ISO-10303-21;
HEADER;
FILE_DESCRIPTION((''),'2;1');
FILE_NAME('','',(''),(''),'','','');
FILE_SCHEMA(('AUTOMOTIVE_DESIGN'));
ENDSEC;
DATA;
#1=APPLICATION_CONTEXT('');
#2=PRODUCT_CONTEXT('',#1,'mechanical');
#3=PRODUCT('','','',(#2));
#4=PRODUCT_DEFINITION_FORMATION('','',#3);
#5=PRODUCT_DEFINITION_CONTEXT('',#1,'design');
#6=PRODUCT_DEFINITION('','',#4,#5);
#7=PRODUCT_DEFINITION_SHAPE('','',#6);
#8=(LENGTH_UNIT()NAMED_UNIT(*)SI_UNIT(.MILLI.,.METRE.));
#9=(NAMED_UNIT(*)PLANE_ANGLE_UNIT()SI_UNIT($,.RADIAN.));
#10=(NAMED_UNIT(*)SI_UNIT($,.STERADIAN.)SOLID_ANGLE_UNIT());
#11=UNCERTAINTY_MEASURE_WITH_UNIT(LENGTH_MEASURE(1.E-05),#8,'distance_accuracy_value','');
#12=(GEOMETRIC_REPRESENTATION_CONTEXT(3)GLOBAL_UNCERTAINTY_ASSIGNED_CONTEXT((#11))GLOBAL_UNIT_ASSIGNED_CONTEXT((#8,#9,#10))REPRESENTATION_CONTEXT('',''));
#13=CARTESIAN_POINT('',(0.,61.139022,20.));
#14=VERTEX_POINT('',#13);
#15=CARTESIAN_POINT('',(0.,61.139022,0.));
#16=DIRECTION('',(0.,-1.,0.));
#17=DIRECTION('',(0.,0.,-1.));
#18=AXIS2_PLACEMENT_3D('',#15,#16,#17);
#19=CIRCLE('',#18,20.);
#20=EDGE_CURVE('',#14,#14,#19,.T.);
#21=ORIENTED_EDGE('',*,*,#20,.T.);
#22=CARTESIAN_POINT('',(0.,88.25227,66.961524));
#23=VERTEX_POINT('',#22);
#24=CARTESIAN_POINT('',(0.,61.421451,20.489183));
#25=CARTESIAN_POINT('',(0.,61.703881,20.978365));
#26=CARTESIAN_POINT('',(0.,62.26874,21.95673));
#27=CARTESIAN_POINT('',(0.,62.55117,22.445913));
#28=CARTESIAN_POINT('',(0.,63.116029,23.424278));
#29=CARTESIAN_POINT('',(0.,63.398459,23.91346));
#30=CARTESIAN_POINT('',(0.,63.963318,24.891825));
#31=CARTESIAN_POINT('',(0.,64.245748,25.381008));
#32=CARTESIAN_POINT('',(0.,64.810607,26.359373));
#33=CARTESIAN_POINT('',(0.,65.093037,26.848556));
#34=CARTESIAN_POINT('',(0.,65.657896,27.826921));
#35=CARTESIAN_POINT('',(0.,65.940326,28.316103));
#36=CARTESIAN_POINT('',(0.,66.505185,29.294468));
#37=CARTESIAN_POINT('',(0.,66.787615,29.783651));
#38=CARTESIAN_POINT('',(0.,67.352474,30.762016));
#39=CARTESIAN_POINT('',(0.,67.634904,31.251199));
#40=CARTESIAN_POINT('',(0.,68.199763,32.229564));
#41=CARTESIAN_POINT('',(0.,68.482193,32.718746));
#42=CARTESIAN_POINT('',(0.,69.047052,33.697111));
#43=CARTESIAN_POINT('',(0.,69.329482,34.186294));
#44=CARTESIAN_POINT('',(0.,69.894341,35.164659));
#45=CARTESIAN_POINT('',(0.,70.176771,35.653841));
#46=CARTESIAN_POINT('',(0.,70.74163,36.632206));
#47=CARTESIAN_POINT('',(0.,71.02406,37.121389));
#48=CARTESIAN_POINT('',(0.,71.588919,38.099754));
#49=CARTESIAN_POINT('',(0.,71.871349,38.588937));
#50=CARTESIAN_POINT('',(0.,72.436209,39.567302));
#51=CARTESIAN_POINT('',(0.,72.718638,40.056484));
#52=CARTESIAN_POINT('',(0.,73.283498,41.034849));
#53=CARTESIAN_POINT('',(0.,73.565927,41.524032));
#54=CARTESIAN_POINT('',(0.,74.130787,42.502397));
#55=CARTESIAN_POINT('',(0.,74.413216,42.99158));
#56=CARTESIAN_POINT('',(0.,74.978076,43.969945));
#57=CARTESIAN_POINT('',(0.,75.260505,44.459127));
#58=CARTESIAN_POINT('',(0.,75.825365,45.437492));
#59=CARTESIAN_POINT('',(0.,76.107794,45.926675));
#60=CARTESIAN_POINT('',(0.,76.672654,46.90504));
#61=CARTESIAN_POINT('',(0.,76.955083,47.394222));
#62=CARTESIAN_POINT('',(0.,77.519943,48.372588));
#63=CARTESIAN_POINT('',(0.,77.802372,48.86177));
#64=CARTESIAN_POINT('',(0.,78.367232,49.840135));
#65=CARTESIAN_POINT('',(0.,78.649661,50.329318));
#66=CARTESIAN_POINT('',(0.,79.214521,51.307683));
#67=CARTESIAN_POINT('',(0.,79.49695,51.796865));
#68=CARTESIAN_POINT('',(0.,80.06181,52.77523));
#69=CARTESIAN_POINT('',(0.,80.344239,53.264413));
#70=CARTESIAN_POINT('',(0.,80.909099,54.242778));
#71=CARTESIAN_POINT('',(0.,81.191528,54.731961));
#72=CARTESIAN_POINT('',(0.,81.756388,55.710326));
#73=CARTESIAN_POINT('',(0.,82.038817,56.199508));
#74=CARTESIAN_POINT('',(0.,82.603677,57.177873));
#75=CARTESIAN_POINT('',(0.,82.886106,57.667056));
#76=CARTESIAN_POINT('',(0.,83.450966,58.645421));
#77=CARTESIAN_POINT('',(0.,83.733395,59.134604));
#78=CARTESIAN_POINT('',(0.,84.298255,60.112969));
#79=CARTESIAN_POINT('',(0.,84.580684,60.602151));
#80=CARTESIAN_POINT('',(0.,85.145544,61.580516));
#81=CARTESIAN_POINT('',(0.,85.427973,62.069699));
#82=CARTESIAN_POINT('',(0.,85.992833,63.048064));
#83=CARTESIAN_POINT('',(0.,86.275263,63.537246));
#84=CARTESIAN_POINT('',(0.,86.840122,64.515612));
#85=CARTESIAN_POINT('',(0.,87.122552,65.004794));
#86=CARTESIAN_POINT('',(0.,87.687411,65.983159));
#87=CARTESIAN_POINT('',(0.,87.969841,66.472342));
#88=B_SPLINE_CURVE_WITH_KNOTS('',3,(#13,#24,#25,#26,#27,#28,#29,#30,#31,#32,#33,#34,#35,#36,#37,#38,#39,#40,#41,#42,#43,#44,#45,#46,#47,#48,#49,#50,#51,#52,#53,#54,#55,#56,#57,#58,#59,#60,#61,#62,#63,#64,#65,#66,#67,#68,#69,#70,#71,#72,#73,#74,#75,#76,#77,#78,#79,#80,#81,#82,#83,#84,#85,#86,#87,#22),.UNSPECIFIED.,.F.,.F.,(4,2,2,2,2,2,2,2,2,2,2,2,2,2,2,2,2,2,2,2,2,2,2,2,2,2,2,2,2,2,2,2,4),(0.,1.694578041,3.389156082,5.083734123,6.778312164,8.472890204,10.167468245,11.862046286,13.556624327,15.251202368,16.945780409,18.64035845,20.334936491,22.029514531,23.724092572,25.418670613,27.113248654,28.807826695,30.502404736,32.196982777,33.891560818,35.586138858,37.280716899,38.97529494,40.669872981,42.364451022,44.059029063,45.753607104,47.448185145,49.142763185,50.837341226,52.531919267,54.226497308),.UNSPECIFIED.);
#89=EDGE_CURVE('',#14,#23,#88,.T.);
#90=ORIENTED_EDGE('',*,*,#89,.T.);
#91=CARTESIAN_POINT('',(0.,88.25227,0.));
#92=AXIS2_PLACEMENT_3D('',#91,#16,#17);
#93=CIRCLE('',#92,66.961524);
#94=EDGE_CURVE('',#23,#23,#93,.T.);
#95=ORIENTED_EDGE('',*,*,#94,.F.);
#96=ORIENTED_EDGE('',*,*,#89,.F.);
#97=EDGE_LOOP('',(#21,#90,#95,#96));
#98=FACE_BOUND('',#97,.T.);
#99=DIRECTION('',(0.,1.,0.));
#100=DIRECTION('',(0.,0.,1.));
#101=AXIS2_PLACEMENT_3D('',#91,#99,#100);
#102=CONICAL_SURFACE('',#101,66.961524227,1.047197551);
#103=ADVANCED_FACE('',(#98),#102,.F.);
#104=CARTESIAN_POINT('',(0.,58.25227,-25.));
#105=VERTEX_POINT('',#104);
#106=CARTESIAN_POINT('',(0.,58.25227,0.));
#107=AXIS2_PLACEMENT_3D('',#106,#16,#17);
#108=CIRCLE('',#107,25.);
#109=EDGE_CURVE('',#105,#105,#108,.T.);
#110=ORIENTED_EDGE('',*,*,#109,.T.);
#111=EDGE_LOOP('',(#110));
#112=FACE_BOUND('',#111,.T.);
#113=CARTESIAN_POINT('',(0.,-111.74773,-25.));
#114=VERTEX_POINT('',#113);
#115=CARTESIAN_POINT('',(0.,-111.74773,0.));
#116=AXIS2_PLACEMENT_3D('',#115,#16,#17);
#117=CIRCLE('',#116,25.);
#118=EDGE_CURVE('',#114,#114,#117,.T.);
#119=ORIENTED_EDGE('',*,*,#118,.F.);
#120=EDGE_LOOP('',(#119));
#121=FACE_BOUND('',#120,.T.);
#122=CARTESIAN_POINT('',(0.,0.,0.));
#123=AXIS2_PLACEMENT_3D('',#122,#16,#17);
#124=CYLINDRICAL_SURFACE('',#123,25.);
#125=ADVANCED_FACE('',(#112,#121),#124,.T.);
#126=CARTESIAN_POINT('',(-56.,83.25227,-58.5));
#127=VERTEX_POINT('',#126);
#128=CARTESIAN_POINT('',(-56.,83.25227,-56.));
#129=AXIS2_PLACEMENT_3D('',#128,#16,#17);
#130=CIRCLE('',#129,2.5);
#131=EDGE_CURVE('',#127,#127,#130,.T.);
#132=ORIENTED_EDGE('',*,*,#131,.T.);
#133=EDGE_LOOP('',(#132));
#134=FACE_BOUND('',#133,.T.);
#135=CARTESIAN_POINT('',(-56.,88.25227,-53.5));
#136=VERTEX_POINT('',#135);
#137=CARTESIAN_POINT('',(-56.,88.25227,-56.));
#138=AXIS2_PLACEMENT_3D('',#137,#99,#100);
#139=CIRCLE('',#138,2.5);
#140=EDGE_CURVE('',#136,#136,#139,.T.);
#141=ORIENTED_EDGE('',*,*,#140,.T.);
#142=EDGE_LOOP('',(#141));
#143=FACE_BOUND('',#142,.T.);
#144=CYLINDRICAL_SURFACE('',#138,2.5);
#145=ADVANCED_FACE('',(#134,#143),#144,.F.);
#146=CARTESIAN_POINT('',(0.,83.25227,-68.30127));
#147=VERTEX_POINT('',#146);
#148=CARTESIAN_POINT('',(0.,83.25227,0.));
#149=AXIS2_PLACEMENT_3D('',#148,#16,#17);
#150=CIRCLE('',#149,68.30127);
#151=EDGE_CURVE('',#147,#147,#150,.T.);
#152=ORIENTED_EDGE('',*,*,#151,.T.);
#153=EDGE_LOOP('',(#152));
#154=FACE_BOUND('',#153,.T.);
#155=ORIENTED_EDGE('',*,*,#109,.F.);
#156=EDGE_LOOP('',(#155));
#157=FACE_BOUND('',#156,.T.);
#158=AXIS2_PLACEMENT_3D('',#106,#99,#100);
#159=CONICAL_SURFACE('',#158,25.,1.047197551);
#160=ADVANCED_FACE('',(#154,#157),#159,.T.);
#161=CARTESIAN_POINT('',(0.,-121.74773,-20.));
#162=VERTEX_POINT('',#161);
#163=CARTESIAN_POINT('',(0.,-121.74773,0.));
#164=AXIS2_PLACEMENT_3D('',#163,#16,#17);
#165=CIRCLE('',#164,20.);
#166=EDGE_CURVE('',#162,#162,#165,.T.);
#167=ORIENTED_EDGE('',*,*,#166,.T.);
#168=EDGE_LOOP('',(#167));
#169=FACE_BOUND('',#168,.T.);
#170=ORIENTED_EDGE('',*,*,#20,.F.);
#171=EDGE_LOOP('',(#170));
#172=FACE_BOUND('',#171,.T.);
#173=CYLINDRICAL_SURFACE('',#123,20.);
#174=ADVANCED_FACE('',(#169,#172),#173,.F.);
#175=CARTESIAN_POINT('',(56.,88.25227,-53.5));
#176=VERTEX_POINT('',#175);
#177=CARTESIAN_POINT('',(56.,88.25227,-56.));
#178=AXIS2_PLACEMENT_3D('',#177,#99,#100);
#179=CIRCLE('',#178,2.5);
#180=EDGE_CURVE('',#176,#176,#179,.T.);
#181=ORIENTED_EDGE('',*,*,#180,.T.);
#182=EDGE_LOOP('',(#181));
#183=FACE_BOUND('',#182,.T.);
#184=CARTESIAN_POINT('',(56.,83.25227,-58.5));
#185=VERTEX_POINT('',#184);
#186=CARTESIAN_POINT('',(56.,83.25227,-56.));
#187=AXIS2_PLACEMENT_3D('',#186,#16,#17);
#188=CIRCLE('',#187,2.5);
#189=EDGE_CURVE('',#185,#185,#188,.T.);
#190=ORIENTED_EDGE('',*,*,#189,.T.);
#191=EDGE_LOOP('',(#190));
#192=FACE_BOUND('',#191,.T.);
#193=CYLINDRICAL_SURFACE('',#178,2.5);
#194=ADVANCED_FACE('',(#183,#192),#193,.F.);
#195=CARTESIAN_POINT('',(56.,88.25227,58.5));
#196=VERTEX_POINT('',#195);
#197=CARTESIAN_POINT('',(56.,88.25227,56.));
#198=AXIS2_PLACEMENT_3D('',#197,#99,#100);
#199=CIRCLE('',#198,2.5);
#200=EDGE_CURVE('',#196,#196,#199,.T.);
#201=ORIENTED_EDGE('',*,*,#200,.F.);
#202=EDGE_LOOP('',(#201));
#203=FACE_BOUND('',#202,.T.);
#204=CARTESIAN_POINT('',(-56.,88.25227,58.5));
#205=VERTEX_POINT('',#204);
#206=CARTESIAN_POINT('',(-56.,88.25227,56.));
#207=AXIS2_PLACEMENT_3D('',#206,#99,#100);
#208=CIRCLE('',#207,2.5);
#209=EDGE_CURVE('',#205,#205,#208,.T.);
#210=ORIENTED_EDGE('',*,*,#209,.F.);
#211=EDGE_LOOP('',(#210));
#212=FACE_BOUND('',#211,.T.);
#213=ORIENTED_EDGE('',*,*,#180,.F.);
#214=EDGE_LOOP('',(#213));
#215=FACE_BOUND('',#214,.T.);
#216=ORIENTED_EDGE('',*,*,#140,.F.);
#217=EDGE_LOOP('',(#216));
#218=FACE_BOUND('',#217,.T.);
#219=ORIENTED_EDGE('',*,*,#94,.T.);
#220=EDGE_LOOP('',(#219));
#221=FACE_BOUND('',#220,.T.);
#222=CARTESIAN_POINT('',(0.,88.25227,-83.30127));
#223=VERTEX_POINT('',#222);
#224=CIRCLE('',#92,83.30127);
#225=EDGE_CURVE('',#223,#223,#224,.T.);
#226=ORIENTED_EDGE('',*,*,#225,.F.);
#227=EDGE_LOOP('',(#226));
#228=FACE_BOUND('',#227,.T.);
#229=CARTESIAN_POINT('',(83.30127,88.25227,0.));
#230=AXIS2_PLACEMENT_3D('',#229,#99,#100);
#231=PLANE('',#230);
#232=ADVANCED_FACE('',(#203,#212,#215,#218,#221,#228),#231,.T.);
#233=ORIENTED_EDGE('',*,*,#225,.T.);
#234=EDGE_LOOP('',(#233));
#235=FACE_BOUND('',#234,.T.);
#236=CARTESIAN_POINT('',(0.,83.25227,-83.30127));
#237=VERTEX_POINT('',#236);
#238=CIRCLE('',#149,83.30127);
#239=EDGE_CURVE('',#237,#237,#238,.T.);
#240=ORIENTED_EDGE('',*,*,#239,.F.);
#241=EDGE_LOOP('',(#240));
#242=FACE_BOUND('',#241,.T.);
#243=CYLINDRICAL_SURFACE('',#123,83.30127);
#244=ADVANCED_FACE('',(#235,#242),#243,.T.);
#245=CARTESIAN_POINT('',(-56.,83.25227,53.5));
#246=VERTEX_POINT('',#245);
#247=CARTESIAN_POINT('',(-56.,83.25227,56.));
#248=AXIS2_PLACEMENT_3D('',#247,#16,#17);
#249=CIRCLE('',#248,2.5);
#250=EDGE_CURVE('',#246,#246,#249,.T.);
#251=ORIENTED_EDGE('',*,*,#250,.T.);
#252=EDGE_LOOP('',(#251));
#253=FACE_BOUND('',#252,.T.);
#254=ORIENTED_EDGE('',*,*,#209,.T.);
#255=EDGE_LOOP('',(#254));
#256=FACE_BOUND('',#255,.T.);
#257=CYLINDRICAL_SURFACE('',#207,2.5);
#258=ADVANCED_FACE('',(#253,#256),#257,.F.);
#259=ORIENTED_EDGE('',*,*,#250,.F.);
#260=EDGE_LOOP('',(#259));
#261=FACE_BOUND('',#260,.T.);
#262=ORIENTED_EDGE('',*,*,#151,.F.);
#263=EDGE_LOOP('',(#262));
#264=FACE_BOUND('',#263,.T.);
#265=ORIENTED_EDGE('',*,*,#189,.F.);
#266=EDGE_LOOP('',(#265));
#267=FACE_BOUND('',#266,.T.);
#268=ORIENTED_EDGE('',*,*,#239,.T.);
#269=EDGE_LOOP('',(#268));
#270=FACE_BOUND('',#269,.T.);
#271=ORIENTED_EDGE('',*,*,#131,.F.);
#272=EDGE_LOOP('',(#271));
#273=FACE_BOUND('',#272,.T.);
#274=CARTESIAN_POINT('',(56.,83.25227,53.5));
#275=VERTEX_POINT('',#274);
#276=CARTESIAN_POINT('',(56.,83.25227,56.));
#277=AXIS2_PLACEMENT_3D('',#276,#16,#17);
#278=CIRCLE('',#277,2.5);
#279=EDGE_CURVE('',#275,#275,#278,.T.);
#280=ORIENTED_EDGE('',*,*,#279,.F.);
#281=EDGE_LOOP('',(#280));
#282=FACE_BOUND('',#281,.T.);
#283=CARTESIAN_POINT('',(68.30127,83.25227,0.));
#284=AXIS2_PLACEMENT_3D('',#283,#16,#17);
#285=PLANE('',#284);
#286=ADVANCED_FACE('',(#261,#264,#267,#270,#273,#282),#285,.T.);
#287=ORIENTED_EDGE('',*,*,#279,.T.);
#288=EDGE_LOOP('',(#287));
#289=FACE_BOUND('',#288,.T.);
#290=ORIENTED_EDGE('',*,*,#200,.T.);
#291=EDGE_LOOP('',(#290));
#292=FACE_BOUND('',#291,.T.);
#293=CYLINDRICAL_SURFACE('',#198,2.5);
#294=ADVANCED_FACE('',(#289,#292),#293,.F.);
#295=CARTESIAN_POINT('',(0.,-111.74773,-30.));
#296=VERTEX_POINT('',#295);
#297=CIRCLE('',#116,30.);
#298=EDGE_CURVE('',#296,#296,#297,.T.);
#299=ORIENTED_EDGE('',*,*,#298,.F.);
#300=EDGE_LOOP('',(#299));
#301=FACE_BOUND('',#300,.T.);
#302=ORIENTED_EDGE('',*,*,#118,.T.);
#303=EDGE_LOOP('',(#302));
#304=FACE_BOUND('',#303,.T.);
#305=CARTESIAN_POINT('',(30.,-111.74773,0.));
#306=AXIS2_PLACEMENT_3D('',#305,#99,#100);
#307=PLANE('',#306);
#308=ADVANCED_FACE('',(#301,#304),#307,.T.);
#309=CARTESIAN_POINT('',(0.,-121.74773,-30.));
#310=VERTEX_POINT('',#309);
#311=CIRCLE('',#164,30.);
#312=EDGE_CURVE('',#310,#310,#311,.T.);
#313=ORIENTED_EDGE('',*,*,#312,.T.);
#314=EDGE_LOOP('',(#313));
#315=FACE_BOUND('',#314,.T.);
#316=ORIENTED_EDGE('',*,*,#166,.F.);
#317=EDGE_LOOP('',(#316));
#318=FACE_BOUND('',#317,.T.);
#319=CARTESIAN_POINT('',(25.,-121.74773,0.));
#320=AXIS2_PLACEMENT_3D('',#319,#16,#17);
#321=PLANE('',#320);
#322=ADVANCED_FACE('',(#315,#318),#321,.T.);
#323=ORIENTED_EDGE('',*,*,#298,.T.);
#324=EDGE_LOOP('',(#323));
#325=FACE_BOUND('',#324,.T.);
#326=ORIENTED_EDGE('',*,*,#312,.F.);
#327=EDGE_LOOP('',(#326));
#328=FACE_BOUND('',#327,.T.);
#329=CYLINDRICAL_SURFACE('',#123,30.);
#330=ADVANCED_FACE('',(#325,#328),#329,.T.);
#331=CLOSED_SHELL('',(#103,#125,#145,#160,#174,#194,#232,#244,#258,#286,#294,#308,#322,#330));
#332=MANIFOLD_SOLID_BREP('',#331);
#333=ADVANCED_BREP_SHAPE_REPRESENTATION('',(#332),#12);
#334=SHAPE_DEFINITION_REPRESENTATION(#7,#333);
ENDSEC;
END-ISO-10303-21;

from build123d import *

# Parameters (mm, degrees)
M6_TAPPED_HOLE1_D = 5


with BuildPart() as part:
    # Sketch1 → Revolve1 (revolve)
    with BuildSketch(Plane.XY, mode=Mode.PRIVATE) as revolve1_sk:
        Polygon((20, -121.747729768), (20, 61.139021578), (66.961524227, 88.252270232), (83.301270189, 88.252270232), (83.301270189, 83.252270232), (68.301270189, 83.252270232), (25, 58.252270232), (25, -111.747729768), (30, -111.747729768), (30, -121.747729768), (25, -121.747729768), align=None)
    revolve(revolve1_sk.sketch.rotate(Axis((0, 0, 0), (0, 1, 0)), 90), axis=Axis((0, 0, 0), (0, 1, 0)))

    # M6 Tapped Hole1 (through all)
    with Locations(Plane(origin=(-56, 88.252270232, -56), x_dir=(0, 0, 1), z_dir=(0, 1, 0))):
        with Locations((0, 0), (0, 112), (112, 0), (112, 112)):
            Hole(M6_TAPPED_HOLE1_D / 2)


solid = part.part
